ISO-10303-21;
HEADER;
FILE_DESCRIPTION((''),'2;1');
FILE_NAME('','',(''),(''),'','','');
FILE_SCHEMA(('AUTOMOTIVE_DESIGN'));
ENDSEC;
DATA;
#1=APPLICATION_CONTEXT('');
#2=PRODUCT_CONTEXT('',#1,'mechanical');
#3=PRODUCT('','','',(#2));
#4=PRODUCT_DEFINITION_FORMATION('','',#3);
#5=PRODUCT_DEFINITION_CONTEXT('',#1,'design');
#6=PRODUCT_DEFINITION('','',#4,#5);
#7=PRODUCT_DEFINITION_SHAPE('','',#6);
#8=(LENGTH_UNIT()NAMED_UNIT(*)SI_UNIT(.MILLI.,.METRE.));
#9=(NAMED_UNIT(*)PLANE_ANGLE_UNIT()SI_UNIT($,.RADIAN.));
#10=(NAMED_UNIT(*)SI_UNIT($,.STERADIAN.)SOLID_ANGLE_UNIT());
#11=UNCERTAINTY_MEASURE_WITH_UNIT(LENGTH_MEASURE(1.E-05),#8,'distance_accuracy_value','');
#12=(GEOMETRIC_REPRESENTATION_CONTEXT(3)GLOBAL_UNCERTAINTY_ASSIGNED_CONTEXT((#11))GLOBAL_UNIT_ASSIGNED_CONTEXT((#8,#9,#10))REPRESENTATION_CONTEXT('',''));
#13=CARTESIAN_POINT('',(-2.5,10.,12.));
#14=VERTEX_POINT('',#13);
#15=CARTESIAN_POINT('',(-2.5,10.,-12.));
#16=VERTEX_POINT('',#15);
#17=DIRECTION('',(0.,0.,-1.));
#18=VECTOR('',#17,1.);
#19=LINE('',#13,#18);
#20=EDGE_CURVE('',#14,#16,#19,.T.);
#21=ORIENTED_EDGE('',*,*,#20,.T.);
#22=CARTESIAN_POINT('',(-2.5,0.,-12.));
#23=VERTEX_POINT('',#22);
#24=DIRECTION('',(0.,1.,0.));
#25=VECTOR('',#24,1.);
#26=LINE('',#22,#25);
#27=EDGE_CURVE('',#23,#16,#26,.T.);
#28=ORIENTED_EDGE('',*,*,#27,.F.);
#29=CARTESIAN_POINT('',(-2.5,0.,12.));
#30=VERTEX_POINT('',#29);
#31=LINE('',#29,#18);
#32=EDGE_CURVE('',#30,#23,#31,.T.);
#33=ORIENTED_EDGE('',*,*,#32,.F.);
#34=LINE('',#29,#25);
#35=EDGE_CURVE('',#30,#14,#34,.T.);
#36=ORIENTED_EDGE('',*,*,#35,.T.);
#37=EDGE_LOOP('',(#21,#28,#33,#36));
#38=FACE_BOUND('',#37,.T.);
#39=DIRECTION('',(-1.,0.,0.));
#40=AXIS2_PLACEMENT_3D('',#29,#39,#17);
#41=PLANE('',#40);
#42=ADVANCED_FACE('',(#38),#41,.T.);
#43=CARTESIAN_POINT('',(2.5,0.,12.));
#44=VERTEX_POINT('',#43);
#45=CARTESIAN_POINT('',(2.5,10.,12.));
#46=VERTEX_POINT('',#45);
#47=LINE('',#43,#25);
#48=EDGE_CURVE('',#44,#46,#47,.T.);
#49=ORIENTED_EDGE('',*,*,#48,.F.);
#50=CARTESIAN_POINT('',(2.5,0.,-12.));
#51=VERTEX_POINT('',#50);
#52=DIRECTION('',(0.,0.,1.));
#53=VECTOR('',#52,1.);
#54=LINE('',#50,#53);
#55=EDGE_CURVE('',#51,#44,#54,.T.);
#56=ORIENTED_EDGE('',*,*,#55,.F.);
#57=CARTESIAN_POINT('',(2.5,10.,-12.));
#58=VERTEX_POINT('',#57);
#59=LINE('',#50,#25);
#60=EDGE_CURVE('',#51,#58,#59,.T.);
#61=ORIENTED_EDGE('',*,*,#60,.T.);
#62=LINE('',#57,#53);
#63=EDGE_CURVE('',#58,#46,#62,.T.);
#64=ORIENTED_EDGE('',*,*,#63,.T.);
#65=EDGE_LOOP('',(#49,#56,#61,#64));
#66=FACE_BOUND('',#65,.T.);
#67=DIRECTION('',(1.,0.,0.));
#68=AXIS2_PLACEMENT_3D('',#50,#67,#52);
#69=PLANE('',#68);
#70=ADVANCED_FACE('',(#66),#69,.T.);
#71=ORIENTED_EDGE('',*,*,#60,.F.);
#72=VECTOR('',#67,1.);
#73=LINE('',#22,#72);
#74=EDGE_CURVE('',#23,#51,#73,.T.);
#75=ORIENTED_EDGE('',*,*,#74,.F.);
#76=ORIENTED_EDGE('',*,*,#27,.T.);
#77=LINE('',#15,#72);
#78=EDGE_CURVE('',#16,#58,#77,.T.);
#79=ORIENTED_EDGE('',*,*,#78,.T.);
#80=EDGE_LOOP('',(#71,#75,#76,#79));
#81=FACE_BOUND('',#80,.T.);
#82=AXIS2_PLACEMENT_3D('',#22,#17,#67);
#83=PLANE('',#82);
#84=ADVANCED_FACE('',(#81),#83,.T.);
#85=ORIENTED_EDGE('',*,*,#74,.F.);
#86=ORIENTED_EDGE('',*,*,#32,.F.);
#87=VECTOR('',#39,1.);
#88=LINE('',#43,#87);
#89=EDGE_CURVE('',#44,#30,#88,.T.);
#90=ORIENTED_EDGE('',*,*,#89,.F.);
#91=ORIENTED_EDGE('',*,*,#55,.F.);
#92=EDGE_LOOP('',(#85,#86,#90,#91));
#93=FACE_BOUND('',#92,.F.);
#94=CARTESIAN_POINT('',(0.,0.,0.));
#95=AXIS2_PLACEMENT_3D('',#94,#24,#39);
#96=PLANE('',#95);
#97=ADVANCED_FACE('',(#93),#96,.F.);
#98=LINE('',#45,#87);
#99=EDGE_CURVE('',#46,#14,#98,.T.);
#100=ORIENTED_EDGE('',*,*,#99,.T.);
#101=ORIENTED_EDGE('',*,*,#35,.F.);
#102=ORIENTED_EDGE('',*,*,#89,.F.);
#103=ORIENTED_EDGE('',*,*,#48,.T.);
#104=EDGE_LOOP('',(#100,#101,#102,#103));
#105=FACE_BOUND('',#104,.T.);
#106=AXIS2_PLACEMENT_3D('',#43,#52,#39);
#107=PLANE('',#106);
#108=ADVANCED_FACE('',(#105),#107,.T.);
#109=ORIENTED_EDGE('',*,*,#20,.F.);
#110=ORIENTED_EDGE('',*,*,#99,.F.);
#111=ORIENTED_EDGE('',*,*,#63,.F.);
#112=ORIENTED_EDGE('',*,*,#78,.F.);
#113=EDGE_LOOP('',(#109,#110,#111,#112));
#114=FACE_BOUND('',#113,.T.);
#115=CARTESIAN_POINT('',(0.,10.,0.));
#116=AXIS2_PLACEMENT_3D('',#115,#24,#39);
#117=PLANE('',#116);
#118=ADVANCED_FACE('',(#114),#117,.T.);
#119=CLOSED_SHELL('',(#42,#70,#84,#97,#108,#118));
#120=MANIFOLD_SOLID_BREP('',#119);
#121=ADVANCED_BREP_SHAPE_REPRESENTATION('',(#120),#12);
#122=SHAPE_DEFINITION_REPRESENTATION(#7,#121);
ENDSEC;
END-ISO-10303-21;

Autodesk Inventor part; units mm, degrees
ref_plane "YZ Plane" through (0, 0, 0) normal (1, 0, 0) x (0, 1, 0)
ref_plane "XZ Plane" through (0, 0, 0) normal (0, 1, 0) x (-1, 0, 0)
ref_plane "XY Plane" through (0, 0, 0) normal (0, 0, 1) x (1, 0, 0)
sketch "Sketch1" plane through (0, 0, 0) normal (0, 1, 0) x (-1, 0, 0)
  line L0 (-2.5, 12) -> (2.5, 12)
  line L1 (2.5, 12) -> (2.5, -12)
  line L2 (2.5, -12) -> (-2.5, -12)
  line L3 (-2.5, -12) -> (-2.5, 12)
  line L4 (-2.5, 12) -> (2.5, -12) construction
  line L5 (2.5, 12) -> (-2.5, -12) construction
  point P0 (0, 0)
  dimension "d0" = 5
  dimension "d1" = 24
extrude "Extrusion1" add sketch "Sketch1" along normal blind 10
properties part number "rapoukLegSupportv2" material "EN AW-6060 T6"
